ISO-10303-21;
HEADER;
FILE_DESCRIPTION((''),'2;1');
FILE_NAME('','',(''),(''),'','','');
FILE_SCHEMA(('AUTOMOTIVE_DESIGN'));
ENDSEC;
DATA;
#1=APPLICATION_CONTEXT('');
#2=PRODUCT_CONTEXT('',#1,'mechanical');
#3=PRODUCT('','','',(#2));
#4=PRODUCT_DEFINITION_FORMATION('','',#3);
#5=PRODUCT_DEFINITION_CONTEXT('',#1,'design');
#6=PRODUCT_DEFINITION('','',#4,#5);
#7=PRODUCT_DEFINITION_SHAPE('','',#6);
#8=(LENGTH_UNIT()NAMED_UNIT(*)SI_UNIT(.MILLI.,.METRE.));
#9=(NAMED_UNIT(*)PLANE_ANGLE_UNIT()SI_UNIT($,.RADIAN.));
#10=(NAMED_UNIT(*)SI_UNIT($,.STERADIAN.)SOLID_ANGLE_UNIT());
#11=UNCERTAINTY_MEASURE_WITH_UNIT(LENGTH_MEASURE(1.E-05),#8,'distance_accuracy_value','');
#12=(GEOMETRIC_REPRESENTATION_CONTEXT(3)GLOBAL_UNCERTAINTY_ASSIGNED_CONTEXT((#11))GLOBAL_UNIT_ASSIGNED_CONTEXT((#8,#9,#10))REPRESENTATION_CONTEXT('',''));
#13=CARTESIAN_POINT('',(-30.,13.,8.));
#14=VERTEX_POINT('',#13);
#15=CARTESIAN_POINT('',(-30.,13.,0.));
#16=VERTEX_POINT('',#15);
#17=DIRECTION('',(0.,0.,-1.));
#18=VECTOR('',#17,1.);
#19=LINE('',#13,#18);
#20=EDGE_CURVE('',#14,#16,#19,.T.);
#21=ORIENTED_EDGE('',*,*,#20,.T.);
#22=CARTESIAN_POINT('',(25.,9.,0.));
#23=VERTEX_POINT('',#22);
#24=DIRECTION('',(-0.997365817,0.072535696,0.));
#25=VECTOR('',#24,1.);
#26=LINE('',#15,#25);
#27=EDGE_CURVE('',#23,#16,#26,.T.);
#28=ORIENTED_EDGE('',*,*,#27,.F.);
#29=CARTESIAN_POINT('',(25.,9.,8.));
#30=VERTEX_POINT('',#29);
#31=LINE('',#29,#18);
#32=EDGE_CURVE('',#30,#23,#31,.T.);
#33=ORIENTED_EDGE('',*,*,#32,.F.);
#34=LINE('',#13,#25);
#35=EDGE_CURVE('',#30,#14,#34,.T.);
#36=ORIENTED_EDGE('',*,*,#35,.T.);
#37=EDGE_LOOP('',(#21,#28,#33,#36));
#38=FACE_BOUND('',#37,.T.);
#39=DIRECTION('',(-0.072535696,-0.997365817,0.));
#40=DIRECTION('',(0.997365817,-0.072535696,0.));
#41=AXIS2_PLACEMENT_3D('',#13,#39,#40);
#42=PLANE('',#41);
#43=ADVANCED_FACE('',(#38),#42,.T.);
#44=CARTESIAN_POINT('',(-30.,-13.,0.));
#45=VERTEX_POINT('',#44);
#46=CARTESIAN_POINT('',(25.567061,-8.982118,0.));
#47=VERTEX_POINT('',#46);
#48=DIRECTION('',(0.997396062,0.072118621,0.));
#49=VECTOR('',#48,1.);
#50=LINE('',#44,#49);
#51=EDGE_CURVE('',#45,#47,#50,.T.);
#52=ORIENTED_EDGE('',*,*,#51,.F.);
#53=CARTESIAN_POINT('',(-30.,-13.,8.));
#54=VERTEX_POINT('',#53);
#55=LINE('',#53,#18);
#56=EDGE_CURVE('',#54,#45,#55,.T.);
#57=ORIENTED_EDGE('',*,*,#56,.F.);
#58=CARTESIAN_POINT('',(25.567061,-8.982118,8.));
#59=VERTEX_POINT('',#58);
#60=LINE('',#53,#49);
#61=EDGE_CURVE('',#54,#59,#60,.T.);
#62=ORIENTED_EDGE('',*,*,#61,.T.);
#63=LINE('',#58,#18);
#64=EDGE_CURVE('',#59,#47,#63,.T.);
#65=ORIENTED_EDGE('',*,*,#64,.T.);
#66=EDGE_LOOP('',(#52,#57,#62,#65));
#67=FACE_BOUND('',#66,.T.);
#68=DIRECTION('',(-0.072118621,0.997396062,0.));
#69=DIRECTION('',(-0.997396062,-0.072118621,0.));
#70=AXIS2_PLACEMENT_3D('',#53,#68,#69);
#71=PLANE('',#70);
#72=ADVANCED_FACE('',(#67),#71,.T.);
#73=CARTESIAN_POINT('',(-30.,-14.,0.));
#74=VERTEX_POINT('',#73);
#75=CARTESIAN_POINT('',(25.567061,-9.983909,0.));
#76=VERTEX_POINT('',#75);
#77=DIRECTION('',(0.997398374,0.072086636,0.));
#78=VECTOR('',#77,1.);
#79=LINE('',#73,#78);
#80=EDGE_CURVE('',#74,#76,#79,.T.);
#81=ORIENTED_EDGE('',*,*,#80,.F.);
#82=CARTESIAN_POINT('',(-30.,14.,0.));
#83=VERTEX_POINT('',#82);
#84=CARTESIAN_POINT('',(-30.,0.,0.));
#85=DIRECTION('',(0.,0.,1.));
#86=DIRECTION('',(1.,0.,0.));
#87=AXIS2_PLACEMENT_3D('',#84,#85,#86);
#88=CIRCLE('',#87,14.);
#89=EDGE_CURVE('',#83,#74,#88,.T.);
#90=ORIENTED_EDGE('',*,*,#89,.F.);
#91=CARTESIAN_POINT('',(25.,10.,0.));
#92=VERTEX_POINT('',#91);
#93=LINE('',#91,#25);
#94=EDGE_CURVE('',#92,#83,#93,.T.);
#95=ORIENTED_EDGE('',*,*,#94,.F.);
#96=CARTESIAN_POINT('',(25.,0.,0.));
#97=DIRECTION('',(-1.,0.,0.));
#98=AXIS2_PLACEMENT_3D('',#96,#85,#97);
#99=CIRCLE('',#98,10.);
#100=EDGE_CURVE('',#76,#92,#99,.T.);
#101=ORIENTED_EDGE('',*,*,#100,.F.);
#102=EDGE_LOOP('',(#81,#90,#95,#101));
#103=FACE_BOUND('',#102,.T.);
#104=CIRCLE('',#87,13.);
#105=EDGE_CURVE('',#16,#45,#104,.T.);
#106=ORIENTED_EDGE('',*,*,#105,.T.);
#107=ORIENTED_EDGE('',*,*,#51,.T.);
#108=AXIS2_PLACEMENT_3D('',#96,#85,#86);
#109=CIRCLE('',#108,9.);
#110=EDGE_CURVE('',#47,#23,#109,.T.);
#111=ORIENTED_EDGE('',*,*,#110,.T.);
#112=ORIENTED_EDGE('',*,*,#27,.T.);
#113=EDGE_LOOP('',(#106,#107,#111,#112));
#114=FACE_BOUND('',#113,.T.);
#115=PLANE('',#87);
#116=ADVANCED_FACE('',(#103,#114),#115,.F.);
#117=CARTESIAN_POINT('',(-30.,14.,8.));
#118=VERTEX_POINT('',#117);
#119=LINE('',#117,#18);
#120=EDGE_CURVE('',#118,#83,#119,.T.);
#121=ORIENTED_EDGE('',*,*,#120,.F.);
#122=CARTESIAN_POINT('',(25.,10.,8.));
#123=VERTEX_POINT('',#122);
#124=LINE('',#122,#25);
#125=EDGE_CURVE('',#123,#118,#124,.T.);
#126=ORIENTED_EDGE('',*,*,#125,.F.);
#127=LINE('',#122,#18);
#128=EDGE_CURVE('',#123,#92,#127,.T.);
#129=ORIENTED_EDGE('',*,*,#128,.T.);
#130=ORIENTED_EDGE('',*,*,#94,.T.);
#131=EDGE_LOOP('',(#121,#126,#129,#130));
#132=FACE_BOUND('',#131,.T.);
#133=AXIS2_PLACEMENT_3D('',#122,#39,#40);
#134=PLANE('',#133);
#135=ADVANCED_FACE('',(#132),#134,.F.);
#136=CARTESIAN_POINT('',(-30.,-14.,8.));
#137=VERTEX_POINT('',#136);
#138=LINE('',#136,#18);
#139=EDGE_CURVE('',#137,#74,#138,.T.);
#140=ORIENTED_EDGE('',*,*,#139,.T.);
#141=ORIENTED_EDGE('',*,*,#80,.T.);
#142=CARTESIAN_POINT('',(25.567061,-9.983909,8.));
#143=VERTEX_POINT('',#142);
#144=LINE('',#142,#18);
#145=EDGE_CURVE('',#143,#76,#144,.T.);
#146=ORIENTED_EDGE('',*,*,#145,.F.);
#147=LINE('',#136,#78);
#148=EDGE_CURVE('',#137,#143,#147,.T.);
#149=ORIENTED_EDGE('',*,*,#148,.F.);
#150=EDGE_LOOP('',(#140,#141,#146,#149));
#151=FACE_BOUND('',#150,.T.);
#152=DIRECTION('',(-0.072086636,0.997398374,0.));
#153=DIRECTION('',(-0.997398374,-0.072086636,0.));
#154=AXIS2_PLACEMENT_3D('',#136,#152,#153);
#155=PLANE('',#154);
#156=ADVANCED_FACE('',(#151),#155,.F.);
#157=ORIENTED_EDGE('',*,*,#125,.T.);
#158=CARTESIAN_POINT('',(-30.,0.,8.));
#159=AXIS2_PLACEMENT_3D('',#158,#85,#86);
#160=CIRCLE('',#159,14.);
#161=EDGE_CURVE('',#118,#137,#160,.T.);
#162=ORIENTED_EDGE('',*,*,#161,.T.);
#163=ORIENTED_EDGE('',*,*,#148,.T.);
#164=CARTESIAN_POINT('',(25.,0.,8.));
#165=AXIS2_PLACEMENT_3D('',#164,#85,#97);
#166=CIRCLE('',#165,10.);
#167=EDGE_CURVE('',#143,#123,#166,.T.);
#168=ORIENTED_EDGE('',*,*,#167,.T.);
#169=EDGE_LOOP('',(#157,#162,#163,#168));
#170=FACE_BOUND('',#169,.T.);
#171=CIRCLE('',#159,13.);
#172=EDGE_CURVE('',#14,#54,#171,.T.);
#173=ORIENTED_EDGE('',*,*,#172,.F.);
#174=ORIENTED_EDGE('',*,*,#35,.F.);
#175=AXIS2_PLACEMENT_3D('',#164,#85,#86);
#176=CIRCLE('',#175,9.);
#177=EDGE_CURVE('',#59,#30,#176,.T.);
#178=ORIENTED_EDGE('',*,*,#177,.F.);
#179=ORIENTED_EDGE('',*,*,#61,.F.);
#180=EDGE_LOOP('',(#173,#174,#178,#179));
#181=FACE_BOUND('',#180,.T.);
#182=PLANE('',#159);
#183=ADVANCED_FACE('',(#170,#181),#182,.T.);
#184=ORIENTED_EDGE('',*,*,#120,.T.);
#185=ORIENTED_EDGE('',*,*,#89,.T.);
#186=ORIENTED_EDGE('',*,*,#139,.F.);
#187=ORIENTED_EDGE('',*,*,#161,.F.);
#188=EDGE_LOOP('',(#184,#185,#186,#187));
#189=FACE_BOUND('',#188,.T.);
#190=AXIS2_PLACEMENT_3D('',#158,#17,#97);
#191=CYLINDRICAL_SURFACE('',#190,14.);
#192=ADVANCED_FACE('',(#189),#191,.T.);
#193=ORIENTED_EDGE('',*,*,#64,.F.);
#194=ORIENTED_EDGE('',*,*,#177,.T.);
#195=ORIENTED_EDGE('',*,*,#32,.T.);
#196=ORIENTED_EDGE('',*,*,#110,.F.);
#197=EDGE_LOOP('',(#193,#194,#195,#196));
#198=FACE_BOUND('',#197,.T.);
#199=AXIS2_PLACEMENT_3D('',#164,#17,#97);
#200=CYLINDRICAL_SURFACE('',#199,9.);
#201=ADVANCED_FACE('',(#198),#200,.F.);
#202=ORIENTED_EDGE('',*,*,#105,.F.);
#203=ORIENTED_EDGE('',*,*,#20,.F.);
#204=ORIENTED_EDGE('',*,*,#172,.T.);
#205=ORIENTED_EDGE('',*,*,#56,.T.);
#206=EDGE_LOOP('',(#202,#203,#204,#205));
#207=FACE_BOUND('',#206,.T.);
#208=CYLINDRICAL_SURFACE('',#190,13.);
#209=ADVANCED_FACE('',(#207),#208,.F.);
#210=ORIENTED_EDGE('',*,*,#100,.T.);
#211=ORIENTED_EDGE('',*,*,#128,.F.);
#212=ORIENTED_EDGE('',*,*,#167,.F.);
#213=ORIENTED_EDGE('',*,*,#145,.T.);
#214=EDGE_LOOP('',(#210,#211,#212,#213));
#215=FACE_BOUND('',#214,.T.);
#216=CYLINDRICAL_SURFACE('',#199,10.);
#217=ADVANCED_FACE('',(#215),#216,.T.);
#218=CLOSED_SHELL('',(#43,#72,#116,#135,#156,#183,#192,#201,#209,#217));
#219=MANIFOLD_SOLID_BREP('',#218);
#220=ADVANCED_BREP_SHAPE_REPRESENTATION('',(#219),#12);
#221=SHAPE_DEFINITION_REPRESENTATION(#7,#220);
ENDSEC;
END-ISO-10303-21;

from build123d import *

# Parameters (mm, degrees)
BOSS_EXTRU_1_DEPTH = 8


with BuildPart() as part:
    # Esquisse1 → Boss.-Extru.1 (new body)
    with BuildSketch(Plane.XY):
        with BuildLine():
            Line((-30, -14), (25.567060542, -9.983909171))
            ThreePointArc((25.567060542, -9.983909171), (34.995976483, 0.283644396), (25, 10))
            Line((25, 10), (-30, 14))
            ThreePointArc((-30, 14), (-44, 0), (-30, -14))
        make_face()
        with BuildLine():
            Line((-30, 13), (25, 9))
            ThreePointArc((25, 9), (33.995528369, 0.283671213), (25.567060542, -8.982117921))
            Line((25.567060542, -8.982117921), (-30, -13))
            ThreePointArc((-30, -13), (-43, 0), (-30, 13))
        make_face(mode=Mode.SUBTRACT)
    extrude(amount=BOSS_EXTRU_1_DEPTH)


solid = part.part
